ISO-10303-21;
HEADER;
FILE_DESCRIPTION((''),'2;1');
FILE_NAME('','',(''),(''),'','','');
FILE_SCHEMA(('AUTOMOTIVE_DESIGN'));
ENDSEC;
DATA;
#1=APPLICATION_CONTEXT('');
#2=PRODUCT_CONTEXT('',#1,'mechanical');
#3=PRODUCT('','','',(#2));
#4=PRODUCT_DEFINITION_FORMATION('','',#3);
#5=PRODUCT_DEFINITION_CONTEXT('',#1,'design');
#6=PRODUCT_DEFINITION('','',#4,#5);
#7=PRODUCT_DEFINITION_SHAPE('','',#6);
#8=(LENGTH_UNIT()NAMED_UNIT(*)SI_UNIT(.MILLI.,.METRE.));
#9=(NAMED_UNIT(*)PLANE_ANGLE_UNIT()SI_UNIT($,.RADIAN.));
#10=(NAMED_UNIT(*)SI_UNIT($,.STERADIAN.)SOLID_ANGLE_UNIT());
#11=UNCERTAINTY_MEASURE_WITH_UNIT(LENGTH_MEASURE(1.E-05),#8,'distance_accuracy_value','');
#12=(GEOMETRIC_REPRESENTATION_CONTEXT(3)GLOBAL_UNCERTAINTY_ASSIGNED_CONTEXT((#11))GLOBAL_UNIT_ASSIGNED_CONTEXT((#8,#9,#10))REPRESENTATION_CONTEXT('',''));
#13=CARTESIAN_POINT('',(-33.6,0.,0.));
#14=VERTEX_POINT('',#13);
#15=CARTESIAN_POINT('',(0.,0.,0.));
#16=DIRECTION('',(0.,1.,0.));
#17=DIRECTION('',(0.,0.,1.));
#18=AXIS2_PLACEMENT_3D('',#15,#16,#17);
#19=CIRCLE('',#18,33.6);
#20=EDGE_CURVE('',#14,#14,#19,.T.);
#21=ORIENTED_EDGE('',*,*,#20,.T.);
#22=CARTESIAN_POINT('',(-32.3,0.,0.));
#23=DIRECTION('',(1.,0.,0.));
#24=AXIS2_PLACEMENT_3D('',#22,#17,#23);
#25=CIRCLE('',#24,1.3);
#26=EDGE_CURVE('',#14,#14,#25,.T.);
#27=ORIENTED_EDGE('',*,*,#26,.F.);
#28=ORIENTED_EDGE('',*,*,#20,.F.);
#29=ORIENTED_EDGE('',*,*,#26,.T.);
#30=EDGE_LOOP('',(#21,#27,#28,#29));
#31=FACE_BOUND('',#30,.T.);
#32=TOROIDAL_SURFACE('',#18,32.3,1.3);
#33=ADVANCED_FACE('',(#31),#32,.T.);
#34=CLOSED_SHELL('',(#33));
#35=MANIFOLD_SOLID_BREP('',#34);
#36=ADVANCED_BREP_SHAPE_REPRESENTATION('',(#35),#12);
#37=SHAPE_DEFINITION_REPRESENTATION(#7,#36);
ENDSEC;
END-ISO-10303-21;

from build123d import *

# Parameters (mm, degrees)
SKETCH2_R = 1.3


with BuildPart() as part:
    # Sweep1: sweep along a path in Sketch1
    with BuildLine(Plane(origin=(0, 0, 0), x_dir=(1, 0, 0), z_dir=(0, 1, 0))) as sweep1_path:
        CenterArc((0, 0), 32.3, 0, 360)
    # Sketch2 → Sweep1 (sweep)
    with BuildSketch(Plane.XY):
        with Locations((-32.3, 0)):
            Circle(SKETCH2_R)
    sweep(path=sweep1_path.line)


solid = part.part
